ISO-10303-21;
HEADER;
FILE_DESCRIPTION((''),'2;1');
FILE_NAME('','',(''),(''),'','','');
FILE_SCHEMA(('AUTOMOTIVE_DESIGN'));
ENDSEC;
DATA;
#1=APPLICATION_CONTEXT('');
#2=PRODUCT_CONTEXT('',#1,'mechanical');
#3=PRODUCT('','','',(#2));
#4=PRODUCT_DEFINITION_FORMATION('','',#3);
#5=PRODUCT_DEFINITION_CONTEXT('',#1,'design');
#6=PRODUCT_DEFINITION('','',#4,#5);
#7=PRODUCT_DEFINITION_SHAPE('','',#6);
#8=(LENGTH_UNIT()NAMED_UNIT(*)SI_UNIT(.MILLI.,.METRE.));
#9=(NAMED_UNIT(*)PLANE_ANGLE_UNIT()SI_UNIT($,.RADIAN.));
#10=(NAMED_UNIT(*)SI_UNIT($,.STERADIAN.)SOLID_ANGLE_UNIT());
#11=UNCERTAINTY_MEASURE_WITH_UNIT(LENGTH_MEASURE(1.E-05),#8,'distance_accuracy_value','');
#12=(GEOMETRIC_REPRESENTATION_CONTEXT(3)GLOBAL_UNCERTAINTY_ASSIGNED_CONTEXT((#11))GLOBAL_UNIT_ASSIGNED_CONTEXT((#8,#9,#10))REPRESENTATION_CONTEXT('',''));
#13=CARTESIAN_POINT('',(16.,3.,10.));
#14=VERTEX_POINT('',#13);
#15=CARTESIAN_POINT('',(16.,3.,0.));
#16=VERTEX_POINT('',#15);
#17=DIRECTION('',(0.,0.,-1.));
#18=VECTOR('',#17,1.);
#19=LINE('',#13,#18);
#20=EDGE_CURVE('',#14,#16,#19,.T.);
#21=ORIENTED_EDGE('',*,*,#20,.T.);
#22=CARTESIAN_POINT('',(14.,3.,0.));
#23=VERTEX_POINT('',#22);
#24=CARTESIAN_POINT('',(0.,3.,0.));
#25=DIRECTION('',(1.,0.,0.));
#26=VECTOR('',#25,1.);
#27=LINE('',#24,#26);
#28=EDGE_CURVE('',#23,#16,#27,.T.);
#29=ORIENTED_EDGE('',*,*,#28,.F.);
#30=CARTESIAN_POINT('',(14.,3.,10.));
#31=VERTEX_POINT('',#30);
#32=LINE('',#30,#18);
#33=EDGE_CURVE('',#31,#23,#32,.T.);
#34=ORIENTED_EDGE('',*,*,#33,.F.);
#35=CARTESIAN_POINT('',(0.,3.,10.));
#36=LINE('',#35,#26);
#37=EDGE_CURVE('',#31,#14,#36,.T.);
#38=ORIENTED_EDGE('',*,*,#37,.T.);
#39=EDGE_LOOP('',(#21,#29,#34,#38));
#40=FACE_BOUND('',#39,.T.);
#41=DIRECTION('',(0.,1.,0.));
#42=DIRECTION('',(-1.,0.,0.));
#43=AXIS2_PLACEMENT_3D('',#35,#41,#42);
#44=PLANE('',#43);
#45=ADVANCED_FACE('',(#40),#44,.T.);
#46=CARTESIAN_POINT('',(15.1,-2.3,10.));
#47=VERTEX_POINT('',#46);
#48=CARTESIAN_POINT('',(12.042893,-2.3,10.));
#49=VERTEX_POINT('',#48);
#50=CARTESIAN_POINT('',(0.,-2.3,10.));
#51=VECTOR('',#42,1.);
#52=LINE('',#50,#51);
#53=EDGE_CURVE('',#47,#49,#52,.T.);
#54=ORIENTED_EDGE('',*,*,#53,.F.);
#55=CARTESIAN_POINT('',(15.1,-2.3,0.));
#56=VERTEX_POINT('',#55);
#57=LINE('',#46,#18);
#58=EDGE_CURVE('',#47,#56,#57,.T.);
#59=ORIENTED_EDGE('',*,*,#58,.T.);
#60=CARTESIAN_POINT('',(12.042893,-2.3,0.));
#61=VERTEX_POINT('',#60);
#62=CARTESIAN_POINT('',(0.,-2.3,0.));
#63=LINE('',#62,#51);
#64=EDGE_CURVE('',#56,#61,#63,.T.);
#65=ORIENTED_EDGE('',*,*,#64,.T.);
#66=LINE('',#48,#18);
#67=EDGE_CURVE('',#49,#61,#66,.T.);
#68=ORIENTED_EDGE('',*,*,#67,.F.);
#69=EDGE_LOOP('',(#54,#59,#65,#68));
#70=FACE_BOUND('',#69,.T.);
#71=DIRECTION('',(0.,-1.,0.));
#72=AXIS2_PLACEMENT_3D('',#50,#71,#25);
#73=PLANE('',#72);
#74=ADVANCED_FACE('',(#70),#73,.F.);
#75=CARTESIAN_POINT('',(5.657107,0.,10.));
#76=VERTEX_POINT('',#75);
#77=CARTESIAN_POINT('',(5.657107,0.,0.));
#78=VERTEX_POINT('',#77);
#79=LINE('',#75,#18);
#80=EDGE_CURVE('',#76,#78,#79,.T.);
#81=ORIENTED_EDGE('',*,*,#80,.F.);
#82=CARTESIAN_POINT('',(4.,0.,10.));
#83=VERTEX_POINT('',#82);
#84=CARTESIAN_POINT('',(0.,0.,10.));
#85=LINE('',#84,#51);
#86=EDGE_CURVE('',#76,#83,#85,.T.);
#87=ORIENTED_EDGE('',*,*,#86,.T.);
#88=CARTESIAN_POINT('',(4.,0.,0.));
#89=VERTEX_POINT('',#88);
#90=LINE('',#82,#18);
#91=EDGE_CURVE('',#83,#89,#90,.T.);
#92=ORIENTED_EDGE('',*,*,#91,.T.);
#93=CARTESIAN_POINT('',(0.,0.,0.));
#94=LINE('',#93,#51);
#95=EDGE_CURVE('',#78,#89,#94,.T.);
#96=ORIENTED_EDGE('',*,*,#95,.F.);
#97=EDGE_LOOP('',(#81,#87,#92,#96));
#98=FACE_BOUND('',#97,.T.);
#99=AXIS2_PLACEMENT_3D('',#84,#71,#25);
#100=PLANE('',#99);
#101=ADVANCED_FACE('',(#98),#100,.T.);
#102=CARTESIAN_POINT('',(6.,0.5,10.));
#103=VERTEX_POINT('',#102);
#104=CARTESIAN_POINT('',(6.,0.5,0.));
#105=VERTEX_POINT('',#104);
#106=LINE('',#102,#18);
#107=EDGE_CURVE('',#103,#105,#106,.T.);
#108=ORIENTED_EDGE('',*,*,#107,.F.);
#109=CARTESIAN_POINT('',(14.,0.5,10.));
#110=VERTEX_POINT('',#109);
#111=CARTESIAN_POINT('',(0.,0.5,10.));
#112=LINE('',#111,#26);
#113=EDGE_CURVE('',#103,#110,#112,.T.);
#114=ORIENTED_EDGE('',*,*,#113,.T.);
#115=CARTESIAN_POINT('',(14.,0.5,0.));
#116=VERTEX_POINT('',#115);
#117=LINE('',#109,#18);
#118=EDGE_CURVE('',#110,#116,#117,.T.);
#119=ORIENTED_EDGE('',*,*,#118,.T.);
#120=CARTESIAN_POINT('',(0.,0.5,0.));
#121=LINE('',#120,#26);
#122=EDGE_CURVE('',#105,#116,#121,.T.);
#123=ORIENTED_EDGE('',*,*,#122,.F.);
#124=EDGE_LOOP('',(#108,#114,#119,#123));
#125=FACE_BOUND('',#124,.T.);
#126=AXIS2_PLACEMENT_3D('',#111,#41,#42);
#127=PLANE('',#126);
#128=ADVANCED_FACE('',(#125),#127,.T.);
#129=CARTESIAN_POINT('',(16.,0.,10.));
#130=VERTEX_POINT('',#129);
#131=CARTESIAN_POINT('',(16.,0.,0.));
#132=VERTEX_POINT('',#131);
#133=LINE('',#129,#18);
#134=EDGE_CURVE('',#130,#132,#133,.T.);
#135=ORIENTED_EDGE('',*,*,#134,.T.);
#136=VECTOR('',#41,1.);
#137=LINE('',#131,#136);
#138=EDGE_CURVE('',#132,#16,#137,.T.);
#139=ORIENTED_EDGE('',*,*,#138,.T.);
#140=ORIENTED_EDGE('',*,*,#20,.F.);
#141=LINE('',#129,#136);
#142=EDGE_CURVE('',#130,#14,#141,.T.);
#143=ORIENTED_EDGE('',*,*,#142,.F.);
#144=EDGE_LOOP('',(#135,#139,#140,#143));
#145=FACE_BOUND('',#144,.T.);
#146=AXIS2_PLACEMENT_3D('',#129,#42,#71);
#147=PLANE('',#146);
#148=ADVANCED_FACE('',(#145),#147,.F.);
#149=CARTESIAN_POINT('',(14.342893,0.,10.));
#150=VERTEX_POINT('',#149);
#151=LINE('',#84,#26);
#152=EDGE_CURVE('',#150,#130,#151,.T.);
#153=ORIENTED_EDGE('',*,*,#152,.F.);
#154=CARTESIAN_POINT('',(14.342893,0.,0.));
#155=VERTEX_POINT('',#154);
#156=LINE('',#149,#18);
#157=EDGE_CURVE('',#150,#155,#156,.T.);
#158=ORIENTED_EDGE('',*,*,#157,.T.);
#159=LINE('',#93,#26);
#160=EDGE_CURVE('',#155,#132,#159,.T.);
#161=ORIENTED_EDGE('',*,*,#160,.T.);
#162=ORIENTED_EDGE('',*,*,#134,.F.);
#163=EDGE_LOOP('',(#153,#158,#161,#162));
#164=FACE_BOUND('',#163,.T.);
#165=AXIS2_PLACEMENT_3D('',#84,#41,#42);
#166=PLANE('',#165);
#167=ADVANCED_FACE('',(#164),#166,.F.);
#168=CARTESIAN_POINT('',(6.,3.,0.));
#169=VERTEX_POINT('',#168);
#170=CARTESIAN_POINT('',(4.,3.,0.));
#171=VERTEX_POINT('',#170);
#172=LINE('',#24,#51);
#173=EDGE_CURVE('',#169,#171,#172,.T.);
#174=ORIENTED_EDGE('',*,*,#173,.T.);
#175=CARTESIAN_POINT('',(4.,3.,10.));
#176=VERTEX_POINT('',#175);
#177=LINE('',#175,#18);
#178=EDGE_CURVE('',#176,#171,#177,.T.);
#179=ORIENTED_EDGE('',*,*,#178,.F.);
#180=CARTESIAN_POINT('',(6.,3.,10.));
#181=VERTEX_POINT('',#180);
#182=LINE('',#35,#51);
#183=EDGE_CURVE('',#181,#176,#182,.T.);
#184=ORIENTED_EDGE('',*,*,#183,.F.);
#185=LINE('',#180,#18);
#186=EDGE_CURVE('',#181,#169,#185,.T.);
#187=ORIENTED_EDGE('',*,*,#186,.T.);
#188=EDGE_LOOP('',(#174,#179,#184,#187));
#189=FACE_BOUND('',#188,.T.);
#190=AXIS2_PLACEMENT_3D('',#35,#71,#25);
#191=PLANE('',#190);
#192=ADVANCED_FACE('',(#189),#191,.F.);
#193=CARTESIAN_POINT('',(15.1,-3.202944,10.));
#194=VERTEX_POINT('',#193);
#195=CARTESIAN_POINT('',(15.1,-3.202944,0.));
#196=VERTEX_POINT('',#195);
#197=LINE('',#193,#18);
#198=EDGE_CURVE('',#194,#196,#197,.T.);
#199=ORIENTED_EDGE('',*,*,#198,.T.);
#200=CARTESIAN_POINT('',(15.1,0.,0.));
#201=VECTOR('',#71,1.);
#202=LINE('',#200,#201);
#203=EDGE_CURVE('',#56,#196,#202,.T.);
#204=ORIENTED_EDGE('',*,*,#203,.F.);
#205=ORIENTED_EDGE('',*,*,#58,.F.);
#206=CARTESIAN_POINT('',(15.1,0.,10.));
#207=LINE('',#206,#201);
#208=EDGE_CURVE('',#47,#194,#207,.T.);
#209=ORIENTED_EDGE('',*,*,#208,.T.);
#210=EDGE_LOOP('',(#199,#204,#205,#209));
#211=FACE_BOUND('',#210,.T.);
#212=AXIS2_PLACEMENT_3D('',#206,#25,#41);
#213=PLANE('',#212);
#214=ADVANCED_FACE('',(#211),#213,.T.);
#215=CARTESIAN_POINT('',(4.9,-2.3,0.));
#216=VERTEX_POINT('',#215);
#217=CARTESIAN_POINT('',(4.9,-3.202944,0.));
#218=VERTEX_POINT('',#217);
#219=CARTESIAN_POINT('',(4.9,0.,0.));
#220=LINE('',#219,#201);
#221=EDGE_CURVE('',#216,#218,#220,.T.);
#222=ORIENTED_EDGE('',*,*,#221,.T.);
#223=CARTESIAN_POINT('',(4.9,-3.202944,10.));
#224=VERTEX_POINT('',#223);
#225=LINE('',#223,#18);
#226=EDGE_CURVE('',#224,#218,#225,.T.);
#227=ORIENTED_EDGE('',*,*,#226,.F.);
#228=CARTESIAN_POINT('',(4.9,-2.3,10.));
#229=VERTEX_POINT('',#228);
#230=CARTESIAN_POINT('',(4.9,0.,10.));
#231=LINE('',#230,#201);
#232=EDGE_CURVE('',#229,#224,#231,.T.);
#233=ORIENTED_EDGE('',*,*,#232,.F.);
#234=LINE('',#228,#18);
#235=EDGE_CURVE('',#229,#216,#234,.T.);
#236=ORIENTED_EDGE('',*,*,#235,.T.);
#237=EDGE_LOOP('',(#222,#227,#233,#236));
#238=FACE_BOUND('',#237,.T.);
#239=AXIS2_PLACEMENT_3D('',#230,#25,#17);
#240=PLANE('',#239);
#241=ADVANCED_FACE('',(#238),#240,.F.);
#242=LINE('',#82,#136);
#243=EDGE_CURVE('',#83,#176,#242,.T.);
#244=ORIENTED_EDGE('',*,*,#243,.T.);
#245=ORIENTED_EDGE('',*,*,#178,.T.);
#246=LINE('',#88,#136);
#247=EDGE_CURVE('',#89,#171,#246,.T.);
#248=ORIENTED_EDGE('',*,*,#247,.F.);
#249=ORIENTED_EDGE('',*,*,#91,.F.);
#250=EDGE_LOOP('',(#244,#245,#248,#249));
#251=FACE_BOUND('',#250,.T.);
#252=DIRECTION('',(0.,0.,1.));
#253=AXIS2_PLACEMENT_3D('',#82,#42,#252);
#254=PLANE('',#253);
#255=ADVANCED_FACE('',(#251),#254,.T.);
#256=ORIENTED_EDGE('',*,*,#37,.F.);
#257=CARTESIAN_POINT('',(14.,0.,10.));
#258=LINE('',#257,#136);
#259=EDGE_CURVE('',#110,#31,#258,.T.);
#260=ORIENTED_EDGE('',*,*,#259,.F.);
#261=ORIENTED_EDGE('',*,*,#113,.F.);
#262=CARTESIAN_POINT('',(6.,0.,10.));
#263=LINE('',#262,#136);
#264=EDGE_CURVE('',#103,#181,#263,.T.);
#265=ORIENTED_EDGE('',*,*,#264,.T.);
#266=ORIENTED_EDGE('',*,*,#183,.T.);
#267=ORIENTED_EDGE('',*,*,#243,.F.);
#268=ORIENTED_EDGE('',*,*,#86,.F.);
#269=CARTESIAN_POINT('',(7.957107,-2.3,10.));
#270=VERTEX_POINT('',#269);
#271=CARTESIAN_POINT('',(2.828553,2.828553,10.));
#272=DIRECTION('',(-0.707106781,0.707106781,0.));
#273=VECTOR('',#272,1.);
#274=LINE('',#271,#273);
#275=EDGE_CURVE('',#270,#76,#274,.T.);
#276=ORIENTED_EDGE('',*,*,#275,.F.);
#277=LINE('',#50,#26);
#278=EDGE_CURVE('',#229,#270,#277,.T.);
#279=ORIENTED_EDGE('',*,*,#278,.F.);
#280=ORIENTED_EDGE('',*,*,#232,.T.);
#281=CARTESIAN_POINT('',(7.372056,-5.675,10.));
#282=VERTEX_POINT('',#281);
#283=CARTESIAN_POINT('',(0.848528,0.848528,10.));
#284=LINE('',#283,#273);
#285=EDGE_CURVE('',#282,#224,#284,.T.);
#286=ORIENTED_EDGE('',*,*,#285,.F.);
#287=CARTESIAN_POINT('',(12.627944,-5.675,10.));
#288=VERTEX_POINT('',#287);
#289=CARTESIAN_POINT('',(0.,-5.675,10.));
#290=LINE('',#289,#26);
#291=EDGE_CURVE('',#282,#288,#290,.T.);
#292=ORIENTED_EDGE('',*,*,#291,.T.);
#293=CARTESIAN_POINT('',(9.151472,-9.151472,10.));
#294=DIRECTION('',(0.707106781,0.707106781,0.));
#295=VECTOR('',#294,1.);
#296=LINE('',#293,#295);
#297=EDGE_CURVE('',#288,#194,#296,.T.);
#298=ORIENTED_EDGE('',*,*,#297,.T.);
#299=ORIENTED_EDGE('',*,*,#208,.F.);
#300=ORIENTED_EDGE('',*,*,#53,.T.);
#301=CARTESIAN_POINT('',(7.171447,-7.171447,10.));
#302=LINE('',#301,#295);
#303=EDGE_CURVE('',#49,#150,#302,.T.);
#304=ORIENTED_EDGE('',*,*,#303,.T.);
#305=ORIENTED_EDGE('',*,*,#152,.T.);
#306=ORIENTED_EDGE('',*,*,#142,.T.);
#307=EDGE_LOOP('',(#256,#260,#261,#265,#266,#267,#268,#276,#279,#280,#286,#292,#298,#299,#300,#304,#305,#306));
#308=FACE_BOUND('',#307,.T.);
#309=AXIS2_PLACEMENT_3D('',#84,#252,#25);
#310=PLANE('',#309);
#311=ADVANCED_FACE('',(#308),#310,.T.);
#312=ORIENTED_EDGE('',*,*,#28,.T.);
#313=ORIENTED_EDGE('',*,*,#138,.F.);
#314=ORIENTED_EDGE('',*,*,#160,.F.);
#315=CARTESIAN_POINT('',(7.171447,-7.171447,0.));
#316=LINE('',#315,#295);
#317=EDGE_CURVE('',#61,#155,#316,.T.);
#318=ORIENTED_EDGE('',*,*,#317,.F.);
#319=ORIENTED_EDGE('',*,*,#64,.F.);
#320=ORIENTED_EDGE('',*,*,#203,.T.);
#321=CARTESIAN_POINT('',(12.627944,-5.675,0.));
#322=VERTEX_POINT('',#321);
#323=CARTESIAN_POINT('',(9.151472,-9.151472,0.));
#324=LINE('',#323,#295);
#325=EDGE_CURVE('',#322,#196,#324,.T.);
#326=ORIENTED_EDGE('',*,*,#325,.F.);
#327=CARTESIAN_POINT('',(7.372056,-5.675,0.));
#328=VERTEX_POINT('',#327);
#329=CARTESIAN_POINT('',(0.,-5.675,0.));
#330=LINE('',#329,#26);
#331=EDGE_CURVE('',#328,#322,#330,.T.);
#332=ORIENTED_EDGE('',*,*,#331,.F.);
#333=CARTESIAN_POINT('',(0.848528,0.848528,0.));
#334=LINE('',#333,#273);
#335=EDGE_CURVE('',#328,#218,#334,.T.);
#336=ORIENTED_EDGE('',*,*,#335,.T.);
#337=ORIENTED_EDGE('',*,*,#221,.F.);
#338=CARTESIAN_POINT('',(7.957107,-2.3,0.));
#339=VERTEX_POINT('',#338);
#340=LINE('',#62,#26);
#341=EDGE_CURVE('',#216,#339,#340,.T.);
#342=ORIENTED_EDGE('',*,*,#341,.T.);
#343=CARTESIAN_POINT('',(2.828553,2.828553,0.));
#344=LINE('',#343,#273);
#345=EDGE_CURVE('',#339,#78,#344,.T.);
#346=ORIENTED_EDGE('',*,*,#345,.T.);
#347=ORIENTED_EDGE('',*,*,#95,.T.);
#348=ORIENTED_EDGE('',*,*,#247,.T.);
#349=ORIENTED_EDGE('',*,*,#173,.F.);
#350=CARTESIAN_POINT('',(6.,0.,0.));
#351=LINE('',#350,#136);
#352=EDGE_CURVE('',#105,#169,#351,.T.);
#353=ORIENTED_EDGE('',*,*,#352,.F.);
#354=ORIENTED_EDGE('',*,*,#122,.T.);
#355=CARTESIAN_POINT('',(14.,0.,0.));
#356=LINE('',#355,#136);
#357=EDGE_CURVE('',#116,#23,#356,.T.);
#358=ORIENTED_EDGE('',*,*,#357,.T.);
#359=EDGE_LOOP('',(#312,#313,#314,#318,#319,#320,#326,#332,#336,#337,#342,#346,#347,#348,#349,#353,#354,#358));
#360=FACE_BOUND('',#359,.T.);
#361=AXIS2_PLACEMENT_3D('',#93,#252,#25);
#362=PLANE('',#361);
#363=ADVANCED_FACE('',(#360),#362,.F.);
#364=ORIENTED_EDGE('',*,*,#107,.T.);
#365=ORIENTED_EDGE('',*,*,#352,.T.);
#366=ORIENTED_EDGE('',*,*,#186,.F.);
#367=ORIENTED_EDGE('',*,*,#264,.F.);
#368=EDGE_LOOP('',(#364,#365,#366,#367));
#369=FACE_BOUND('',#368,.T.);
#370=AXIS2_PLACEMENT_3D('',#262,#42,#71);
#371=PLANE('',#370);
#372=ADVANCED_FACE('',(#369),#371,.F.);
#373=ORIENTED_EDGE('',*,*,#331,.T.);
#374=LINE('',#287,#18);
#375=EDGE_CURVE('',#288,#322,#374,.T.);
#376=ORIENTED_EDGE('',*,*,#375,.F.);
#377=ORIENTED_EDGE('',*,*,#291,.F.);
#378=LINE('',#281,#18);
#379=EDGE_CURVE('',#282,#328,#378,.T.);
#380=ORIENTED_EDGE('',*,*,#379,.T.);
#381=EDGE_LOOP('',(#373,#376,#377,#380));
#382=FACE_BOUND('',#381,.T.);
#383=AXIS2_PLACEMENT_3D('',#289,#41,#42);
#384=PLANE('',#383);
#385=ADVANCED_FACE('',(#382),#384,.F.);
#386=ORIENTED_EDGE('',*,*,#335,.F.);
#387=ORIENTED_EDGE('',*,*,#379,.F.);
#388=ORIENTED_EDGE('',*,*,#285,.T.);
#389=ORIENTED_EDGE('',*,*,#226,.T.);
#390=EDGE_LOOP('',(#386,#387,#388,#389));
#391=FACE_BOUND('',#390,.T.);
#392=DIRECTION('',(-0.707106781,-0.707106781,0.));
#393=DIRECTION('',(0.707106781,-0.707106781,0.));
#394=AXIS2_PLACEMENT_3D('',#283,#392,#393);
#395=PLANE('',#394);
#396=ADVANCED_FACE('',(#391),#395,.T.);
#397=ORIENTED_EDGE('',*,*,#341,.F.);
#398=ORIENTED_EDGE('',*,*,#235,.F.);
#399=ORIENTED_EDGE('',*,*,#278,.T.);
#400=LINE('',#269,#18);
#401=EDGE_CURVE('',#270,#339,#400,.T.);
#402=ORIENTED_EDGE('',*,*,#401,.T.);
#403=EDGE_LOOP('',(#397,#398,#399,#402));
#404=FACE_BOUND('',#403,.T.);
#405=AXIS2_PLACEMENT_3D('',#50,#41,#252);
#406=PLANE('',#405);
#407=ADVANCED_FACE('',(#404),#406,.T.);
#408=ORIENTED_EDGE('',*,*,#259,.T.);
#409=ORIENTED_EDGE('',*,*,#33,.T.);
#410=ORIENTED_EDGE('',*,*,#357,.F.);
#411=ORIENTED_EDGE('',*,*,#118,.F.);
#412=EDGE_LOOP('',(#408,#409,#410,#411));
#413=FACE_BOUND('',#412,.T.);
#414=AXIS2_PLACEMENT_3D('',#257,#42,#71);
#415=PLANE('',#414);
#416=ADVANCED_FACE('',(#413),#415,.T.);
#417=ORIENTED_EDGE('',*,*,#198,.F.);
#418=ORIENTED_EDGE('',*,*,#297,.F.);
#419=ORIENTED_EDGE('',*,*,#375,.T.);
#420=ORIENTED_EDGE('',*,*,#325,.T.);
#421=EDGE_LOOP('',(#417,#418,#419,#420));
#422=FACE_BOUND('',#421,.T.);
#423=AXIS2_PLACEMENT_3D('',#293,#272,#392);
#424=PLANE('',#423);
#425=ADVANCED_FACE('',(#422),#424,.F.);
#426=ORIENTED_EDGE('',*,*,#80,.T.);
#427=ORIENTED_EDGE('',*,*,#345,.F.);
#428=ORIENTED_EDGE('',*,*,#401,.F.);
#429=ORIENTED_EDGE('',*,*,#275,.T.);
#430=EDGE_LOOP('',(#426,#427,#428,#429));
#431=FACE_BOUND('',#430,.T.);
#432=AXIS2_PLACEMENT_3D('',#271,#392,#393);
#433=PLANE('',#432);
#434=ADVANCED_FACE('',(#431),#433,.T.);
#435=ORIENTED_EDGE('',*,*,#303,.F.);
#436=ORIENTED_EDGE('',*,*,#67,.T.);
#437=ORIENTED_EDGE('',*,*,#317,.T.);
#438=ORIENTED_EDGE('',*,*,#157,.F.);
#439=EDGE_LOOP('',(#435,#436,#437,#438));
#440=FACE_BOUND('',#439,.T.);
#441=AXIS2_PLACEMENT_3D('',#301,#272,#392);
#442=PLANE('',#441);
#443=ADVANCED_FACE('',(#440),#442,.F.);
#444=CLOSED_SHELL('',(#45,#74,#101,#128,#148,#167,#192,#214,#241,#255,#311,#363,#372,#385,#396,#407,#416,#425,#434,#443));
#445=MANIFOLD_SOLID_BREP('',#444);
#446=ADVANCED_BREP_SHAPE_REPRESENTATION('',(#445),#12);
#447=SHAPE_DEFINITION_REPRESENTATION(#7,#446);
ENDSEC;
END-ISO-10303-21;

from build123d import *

# Parameters (mm, degrees)
SALIENTE_EXTRUIR1_DEPTH = 10


with BuildPart() as part:
    # Croquis1 → Saliente-Extruir1 (new body)
    with BuildSketch(Plane.XY):
        Polygon((7.372056275, -5.675), (10, -5.675), (10, 0.5), (6, 0.5), (6, 3), (4, 3), (4, 0), (4.4, 0), (4.95, 0), (5.657106781, 0), (7.957106781, -2.3), (4.9, -2.3), (4.9, -3.202943725), align=None)
        Polygon((10, -5.675), (12.627943725, -5.675), (15.1, -3.202943725), (15.1, -2.3), (12.042893219, -2.3), (14.342893219, 0), (16, 0), (16, 3), (14, 3), (14, 0.5), (10, 0.5), align=None)
    extrude(amount=SALIENTE_EXTRUIR1_DEPTH)


solid = part.part
